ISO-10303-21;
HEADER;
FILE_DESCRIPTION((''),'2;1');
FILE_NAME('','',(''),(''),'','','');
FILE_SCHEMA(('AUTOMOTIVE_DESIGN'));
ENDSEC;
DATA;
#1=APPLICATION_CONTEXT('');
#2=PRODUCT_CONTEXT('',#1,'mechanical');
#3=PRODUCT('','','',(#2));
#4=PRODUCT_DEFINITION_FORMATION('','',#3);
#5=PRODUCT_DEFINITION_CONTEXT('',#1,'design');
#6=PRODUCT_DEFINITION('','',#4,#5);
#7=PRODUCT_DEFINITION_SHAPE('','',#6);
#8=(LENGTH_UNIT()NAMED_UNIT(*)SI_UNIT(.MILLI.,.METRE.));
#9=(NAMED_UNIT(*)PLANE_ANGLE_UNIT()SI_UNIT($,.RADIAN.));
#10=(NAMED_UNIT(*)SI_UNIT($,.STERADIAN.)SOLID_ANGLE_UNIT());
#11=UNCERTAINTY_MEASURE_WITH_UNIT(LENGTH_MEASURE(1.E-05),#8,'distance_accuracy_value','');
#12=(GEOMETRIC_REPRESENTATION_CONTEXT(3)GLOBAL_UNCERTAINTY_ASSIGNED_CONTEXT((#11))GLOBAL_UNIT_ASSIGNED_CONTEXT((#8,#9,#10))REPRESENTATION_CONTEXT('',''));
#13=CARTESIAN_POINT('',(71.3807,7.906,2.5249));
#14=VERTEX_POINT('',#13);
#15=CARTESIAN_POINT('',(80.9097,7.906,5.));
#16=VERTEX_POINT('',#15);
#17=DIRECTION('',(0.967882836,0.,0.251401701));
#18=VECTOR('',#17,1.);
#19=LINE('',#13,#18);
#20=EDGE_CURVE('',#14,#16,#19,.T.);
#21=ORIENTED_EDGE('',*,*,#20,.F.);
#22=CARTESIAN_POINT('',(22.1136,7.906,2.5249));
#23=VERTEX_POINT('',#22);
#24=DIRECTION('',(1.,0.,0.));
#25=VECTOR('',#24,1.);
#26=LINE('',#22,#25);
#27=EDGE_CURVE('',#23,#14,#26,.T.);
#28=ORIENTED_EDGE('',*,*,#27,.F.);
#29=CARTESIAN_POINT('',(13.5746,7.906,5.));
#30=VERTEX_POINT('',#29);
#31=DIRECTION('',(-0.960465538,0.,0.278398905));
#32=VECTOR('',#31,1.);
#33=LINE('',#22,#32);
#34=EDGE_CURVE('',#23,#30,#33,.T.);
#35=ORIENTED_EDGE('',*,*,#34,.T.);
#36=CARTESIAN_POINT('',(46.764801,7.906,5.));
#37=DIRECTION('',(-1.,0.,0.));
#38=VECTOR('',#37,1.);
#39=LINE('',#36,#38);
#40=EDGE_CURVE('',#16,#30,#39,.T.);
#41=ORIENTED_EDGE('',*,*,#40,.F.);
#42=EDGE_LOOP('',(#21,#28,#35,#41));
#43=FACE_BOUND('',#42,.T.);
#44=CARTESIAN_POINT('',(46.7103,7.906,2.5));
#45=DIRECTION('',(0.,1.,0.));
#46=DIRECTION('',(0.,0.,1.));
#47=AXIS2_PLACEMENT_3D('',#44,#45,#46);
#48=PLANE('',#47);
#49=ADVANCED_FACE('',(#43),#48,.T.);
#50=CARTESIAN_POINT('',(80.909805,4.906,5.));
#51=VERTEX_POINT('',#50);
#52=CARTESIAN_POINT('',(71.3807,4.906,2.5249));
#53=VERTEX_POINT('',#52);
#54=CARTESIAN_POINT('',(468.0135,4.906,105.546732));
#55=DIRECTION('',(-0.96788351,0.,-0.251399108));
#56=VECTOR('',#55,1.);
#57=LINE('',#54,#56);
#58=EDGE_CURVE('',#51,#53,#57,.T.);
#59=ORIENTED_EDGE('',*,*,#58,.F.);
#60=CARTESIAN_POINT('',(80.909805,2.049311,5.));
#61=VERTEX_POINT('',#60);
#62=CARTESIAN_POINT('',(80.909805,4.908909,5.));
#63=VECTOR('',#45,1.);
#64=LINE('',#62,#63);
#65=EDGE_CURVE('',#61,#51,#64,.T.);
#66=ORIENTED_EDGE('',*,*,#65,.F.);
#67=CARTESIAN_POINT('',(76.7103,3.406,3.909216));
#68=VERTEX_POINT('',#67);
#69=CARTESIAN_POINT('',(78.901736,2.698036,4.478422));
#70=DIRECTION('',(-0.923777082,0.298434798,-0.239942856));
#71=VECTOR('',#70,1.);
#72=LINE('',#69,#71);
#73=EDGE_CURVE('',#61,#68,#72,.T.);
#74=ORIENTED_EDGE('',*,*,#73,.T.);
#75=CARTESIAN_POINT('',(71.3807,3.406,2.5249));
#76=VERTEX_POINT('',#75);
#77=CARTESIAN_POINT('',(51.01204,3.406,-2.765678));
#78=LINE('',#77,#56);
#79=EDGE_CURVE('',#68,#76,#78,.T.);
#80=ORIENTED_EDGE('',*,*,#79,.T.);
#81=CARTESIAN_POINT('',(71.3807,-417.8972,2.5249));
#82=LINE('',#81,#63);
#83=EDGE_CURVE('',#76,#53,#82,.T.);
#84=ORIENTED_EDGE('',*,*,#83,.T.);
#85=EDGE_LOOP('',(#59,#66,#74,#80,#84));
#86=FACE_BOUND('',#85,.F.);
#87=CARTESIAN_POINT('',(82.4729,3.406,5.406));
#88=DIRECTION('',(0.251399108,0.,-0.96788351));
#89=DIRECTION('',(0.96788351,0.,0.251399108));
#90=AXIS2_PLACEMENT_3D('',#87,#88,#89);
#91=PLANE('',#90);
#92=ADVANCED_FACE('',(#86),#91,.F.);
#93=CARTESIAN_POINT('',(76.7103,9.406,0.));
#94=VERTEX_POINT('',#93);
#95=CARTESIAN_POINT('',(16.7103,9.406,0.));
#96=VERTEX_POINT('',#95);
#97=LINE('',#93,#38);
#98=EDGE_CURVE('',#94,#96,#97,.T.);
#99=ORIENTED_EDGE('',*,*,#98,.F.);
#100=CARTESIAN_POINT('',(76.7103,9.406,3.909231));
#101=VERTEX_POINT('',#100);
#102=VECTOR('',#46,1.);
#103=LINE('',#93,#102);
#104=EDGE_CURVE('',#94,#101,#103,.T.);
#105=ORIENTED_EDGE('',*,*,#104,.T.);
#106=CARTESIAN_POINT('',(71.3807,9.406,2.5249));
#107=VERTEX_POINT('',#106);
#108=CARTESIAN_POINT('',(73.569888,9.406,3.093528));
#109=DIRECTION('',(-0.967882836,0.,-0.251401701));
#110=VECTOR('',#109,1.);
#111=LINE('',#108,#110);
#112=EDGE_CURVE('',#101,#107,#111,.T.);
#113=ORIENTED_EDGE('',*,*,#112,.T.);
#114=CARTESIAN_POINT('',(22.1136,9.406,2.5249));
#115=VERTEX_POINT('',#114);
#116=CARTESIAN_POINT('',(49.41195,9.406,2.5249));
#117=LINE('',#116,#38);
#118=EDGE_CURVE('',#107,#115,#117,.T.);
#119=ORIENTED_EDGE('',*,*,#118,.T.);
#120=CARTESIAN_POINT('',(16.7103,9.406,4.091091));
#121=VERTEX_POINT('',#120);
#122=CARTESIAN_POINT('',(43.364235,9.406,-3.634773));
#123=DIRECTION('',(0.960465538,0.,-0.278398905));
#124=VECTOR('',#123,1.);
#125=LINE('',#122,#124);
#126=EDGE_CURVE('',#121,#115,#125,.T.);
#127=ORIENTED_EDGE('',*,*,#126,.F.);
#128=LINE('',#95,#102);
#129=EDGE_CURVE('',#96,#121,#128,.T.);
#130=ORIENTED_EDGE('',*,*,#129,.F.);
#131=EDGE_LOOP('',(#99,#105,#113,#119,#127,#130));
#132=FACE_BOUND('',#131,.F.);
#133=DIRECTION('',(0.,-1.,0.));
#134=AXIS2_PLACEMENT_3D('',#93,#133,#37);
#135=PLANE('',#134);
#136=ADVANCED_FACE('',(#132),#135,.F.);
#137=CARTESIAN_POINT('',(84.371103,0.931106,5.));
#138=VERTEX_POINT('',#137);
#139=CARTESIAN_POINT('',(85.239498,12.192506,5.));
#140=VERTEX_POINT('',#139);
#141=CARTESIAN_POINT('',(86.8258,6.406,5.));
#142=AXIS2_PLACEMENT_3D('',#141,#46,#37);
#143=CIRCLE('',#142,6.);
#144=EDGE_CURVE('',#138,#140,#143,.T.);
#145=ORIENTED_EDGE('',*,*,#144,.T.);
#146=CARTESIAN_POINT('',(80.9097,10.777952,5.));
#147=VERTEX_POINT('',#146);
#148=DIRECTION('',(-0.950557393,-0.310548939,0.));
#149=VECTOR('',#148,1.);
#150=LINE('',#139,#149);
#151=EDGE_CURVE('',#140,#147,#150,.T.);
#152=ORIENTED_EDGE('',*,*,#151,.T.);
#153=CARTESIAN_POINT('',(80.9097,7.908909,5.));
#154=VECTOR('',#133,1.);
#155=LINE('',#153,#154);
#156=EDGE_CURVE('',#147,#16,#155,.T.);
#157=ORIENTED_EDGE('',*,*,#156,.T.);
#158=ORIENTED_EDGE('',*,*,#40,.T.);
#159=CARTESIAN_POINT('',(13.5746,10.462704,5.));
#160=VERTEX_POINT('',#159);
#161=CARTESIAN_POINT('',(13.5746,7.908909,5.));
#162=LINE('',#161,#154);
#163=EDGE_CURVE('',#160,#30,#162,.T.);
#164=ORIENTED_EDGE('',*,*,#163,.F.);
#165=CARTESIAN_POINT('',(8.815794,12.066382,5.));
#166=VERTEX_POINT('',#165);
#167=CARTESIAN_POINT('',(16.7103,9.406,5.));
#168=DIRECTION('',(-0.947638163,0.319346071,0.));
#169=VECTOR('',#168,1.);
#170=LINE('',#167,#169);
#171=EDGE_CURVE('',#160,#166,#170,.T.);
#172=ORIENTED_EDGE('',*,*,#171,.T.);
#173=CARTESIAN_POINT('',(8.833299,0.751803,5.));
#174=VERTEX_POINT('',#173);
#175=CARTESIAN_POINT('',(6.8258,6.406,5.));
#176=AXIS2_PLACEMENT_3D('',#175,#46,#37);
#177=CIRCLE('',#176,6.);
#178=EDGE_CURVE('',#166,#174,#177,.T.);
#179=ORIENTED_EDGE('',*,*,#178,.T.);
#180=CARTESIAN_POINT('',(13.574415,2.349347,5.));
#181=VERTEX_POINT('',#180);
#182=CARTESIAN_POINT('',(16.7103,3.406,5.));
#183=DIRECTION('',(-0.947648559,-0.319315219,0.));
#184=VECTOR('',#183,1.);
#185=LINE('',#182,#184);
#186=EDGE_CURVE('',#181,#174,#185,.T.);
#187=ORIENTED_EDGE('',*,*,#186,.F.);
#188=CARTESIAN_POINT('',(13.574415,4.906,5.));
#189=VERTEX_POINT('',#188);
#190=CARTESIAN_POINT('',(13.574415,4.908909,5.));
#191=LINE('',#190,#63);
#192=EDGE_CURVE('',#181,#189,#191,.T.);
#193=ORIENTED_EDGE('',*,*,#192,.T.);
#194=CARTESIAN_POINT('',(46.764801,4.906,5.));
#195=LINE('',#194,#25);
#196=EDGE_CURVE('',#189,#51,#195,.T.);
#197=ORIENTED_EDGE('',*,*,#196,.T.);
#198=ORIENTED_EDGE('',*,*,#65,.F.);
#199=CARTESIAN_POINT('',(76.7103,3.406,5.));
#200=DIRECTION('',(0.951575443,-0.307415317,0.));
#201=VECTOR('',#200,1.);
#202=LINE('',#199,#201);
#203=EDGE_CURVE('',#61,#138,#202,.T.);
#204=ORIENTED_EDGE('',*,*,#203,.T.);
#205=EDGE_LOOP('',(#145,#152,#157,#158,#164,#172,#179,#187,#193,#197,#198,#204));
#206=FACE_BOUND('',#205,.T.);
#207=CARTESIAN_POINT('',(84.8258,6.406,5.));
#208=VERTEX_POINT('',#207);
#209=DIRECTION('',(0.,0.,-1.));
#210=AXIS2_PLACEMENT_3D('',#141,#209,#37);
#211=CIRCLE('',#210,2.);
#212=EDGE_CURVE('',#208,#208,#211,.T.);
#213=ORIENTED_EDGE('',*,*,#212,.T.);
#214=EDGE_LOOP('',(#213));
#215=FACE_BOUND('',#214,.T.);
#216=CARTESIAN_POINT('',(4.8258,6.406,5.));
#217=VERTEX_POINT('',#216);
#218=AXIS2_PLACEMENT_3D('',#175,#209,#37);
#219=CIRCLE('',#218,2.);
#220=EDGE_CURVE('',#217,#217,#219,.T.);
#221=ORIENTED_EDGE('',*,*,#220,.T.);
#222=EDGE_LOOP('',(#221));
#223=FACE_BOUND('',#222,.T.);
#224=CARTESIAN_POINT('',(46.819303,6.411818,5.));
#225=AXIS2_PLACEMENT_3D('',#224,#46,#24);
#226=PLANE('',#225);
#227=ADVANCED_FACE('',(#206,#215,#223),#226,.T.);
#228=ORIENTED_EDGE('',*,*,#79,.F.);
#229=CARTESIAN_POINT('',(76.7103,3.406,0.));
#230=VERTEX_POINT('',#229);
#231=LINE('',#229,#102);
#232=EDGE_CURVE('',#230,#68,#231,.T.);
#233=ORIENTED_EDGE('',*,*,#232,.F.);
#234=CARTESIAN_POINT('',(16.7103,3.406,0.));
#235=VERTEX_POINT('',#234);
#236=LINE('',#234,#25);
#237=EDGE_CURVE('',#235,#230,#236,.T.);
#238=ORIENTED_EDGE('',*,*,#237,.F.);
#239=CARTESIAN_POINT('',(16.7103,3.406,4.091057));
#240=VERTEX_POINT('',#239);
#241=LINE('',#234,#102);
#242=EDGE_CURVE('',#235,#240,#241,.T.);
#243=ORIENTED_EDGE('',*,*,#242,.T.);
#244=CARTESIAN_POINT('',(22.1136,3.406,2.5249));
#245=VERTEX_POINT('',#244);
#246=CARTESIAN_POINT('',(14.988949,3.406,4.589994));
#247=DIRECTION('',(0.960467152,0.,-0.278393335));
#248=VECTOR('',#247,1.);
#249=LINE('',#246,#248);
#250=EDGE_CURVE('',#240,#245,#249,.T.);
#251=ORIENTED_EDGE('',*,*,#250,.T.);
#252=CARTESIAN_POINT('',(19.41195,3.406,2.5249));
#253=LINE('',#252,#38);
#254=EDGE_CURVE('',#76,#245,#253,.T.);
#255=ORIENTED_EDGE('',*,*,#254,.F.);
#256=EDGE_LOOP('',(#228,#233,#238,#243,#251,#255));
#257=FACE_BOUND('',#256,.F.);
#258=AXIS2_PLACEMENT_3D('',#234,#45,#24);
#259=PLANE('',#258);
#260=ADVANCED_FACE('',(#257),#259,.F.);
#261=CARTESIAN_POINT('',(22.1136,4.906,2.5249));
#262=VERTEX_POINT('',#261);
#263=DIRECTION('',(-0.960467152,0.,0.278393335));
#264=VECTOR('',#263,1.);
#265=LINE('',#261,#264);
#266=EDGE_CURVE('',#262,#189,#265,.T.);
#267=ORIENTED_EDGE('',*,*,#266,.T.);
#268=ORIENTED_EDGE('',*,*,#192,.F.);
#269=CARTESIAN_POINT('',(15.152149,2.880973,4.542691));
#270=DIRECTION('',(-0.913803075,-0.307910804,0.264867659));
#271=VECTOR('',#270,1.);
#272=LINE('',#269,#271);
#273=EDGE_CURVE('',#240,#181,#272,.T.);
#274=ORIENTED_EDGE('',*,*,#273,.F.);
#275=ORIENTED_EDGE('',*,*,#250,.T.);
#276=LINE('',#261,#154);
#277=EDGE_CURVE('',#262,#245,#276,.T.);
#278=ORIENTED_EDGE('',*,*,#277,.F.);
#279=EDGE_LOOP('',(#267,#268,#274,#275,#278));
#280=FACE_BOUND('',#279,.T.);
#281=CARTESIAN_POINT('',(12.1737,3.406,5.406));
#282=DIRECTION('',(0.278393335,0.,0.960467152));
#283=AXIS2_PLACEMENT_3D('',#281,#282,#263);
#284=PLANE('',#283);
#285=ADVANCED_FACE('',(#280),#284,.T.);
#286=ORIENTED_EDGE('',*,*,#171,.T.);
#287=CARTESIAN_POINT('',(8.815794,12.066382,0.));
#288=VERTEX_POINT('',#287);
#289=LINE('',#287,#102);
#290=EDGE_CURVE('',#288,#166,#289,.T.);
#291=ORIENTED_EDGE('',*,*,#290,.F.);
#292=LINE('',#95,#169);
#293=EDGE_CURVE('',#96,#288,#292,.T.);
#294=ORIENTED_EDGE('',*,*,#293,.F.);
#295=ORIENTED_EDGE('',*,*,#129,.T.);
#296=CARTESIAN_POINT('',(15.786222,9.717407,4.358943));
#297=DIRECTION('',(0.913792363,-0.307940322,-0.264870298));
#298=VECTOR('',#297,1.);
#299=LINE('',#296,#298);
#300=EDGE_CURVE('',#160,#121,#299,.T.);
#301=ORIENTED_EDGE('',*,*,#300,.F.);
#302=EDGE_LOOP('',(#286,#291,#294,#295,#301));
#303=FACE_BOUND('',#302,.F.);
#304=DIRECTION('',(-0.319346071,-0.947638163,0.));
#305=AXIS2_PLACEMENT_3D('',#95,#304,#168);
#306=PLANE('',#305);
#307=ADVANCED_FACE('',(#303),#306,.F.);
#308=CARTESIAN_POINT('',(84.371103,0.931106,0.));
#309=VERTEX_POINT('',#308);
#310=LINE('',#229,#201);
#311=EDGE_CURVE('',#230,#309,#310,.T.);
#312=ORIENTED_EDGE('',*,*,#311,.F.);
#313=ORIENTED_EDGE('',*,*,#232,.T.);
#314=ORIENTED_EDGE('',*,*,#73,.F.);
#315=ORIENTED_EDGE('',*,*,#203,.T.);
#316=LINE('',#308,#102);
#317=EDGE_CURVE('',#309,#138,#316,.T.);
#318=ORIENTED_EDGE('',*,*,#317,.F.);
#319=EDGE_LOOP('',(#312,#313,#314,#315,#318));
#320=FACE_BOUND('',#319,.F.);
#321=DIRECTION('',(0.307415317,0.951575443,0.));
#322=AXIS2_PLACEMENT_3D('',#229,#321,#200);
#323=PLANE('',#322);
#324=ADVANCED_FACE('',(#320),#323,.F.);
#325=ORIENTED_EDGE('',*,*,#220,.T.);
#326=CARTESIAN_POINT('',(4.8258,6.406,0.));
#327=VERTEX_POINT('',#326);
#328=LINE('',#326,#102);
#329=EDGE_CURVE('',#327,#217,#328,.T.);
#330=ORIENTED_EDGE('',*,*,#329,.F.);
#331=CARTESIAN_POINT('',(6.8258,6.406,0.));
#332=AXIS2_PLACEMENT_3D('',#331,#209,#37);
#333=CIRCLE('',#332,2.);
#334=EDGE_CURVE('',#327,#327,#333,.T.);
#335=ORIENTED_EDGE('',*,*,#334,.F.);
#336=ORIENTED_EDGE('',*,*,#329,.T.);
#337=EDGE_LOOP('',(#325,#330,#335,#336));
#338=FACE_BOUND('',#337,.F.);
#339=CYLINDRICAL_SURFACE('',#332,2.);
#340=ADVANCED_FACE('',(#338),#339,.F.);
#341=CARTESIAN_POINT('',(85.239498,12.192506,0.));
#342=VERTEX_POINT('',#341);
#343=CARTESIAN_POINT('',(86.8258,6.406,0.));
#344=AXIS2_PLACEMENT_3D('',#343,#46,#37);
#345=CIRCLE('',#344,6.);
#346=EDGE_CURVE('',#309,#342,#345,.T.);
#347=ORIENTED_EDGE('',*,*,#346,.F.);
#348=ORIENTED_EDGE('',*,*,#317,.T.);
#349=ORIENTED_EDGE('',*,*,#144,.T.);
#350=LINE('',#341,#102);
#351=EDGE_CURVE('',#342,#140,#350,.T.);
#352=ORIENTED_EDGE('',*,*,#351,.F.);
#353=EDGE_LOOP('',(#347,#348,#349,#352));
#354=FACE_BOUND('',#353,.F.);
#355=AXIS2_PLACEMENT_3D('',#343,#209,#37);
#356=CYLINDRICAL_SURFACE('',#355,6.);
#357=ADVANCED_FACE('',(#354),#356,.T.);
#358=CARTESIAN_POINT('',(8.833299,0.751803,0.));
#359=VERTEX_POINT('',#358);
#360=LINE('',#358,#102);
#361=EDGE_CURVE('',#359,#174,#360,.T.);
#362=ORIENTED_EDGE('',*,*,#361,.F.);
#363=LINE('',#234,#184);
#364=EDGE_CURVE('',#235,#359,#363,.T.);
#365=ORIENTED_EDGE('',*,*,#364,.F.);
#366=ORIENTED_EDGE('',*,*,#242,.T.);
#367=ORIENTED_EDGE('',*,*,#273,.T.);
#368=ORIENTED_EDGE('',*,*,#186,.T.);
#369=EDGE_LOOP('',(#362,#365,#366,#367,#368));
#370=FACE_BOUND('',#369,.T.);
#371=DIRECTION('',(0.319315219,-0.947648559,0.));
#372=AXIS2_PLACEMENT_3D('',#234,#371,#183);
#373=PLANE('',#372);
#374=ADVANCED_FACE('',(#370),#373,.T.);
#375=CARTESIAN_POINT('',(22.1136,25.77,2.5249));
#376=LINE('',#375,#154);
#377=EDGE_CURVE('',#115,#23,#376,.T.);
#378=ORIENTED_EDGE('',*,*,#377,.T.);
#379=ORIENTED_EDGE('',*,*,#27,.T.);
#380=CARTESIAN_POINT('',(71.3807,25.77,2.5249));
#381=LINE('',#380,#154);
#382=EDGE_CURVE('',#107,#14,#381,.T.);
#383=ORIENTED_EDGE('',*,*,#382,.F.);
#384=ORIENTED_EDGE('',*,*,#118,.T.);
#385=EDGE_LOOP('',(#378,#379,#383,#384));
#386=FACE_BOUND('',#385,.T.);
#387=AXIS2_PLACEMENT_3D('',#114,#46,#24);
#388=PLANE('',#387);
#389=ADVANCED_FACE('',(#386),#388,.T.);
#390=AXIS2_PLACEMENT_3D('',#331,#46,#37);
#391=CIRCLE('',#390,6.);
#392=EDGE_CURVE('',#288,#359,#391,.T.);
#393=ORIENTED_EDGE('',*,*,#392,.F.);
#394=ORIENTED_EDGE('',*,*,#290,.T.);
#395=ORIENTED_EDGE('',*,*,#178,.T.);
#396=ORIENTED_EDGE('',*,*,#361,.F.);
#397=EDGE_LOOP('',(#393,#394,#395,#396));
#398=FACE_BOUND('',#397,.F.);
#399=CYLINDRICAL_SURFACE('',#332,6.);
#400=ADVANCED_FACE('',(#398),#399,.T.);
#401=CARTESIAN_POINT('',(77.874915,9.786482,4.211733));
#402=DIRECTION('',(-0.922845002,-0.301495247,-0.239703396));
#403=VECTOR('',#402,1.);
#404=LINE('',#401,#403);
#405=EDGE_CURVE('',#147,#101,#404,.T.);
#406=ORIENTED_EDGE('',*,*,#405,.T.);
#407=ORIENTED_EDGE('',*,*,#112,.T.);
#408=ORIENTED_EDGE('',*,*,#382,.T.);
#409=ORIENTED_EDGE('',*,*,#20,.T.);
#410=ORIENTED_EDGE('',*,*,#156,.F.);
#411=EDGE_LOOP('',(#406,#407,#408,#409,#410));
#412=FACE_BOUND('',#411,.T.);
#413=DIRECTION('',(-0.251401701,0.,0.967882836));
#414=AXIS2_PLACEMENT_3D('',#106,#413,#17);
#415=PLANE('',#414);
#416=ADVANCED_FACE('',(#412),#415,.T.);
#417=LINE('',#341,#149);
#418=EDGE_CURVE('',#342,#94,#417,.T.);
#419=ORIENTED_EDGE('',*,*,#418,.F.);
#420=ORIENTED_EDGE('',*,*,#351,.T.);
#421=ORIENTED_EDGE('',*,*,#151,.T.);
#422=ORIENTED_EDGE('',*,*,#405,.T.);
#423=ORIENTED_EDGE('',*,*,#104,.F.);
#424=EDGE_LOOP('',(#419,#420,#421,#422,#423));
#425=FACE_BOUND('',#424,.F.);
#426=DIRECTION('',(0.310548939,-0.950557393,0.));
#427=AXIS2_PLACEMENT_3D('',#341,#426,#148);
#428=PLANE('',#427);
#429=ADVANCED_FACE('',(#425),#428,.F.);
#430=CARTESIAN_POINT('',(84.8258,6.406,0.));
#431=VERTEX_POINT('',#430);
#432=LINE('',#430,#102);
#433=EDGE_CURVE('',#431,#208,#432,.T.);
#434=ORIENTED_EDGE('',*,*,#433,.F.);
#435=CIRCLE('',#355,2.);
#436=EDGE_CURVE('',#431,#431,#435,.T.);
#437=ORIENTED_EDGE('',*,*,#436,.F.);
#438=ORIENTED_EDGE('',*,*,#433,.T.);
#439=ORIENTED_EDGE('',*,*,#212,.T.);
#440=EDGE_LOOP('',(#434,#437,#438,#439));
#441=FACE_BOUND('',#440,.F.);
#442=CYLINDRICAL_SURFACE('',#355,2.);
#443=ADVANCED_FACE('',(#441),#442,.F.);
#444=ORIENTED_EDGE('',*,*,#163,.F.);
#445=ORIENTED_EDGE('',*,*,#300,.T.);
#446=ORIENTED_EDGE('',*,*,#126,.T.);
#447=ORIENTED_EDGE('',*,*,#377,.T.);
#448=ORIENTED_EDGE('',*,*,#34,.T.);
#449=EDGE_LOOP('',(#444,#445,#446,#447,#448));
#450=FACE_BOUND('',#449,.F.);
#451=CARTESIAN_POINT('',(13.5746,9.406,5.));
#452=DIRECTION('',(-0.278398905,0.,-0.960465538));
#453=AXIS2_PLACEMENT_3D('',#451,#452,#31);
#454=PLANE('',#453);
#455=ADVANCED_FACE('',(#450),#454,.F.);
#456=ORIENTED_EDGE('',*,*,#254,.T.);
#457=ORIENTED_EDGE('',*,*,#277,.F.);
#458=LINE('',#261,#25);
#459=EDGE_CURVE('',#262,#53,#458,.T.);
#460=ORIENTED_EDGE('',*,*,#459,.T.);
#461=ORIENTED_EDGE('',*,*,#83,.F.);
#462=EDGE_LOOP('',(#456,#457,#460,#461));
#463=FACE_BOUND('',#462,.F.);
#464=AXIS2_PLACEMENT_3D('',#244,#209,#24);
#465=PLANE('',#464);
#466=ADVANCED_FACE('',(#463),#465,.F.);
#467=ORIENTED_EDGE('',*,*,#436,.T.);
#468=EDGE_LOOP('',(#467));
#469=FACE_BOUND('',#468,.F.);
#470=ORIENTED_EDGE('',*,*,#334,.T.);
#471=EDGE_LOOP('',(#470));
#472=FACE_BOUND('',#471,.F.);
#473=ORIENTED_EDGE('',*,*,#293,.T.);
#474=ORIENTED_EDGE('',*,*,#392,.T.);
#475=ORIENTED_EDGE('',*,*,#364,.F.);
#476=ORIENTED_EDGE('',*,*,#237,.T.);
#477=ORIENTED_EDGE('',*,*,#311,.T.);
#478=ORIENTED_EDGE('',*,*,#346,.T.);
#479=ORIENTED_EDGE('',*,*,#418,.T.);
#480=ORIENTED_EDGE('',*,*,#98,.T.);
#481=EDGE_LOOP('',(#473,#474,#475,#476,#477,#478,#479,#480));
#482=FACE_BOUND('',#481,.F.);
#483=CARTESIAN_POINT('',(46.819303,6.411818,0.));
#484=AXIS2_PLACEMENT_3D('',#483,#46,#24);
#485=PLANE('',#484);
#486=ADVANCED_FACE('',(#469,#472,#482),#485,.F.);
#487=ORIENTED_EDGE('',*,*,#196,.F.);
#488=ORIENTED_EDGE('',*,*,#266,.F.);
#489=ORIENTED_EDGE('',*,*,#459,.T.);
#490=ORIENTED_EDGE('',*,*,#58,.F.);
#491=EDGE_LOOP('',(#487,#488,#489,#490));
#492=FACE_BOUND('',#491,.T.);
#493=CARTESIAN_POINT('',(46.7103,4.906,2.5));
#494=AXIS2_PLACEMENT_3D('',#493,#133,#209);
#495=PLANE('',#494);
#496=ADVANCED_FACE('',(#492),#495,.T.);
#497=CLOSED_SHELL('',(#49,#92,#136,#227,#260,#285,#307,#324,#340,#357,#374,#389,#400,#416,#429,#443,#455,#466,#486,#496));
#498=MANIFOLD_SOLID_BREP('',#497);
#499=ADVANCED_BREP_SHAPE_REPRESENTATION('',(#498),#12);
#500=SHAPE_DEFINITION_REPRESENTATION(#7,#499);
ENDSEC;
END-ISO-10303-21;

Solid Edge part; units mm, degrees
sketch "Sketch1" plane through (0, 0, 0) normal (0, 0, -1) x (-1, 0, 0)
  circle A0 centre (-6.8258, 6.406) radius 2
  line L0 (-76.7103, 9.406) -> (-16.7103, 9.406)
  line L1 (-16.7103, 9.406) -> (-8.8158, 12.0664)
  line L2 (-16.7103, 3.406) -> (-8.8333, 0.7518)
  line L3 (-16.7103, 3.406) -> (-76.7103, 3.406)
  line L4 (-76.7103, 3.406) -> (-84.3711, 0.9311)
  line L5 (-85.2395, 12.1925) -> (-76.7103, 9.406)
  arc A1 (-8.8158, 12.0664) -> (-8.8333, 0.7518) centre (-6.8258, 6.406) cw
  arc A2 (-84.3711, 0.9311) -> (-85.2395, 12.1925) centre (-86.8258, 6.406) cw
  circle A3 centre (-86.8258, 6.406) radius 2
  dimension "D1" = 80
  dimension "D2" = 4
  dimension "D3" = 60
  dimension "D4" = 4
  dimension "D5" = 6
  dimension "D6" = 6
  dimension "D7" = 60
  dimension "D8" = 6
extrude "Protrusion1" add sketch "Sketch1" against normal blind 5
sketch "Sketch2" plane through (46.7103, 3.406, 2.5) normal (0, -1, 0) x (1, 0, 0)
  line L0 (-34.5366, 2.906) -> (-24.5967, 0.0249)
  line L1 (-24.5967, 0.0249) -> (24.6704, 0.0249)
  line L2 (24.6704, 0.0249) -> (35.7626, 2.906)
extrude "Enlèvement_matière_1" cut sketch "Sketch2" against normal blind 1.5 and the other way through all material side at (17.1576, 3.406, 4.0135)
sketch "Sketch3" plane through (46.7103, 9.406, 2.5) normal (0, 1, 0) x (-1, 0, 0)
  line L0 (-24.6704, 0.0249) -> (-34.1994, 2.5)
  line L1 (24.5967, 0.0249) -> (-24.6704, 0.0249)
  line L2 (33.1357, 2.5) -> (24.5967, 0.0249)
extrude "Enlèvement_matière_2" cut sketch "Sketch3" against normal blind 1.5 and the other way blind 16.364 material side at (76.1326, 9.406, 3.8108)
properties part number "AC_1.05"
